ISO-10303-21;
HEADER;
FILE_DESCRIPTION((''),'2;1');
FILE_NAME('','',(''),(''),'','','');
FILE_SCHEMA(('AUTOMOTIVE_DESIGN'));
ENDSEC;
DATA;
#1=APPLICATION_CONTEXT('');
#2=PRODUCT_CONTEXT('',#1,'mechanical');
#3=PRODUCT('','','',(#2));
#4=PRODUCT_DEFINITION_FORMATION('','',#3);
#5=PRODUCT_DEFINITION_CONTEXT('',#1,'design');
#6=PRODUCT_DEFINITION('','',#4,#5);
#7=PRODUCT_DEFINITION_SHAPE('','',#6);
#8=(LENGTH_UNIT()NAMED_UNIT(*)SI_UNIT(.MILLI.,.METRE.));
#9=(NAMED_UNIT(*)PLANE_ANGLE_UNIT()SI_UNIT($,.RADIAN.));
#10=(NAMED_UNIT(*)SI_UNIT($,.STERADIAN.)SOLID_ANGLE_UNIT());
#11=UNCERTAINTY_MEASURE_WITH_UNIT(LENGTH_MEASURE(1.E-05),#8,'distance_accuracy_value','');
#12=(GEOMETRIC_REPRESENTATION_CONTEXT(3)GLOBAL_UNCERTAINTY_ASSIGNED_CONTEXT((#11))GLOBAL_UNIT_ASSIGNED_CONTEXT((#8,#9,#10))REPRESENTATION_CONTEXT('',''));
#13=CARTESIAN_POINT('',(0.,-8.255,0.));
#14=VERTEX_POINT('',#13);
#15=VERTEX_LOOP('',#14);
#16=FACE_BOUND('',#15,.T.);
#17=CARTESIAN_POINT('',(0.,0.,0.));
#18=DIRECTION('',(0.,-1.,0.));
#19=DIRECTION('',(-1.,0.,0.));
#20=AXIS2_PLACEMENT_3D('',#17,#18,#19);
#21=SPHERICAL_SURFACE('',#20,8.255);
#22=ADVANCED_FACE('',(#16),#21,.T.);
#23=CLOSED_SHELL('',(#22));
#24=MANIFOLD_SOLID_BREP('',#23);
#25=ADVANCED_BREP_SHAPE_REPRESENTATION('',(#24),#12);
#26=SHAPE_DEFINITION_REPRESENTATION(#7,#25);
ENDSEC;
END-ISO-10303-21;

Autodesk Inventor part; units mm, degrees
ref_plane "YZ Plane" through (0, 0, 0) normal (1, 0, 0) x (0, 1, 0)
ref_plane "XZ Plane" through (0, 0, 0) normal (0, 1, 0) x (-1, 0, 0)
ref_plane "XY Plane" through (0, 0, 0) normal (0, 0, 1) x (1, 0, 0)
sketch "Sketch1" plane through (0, 0, 0) normal (0, 0, 1) x (1, 0, 0)
  arc A0 (0, 8.255) -> (0, -8.255) centre (0, 0) ccw
  line L0 (0, 8.255) -> (0, -8.255)
  dimension "d0" = 16.51
revolve "Revolution1" add sketch "Sketch1" angle 360 about axis through (0, 8.255, 0) along (0, -1, 0)
properties part number "cwcaster"
